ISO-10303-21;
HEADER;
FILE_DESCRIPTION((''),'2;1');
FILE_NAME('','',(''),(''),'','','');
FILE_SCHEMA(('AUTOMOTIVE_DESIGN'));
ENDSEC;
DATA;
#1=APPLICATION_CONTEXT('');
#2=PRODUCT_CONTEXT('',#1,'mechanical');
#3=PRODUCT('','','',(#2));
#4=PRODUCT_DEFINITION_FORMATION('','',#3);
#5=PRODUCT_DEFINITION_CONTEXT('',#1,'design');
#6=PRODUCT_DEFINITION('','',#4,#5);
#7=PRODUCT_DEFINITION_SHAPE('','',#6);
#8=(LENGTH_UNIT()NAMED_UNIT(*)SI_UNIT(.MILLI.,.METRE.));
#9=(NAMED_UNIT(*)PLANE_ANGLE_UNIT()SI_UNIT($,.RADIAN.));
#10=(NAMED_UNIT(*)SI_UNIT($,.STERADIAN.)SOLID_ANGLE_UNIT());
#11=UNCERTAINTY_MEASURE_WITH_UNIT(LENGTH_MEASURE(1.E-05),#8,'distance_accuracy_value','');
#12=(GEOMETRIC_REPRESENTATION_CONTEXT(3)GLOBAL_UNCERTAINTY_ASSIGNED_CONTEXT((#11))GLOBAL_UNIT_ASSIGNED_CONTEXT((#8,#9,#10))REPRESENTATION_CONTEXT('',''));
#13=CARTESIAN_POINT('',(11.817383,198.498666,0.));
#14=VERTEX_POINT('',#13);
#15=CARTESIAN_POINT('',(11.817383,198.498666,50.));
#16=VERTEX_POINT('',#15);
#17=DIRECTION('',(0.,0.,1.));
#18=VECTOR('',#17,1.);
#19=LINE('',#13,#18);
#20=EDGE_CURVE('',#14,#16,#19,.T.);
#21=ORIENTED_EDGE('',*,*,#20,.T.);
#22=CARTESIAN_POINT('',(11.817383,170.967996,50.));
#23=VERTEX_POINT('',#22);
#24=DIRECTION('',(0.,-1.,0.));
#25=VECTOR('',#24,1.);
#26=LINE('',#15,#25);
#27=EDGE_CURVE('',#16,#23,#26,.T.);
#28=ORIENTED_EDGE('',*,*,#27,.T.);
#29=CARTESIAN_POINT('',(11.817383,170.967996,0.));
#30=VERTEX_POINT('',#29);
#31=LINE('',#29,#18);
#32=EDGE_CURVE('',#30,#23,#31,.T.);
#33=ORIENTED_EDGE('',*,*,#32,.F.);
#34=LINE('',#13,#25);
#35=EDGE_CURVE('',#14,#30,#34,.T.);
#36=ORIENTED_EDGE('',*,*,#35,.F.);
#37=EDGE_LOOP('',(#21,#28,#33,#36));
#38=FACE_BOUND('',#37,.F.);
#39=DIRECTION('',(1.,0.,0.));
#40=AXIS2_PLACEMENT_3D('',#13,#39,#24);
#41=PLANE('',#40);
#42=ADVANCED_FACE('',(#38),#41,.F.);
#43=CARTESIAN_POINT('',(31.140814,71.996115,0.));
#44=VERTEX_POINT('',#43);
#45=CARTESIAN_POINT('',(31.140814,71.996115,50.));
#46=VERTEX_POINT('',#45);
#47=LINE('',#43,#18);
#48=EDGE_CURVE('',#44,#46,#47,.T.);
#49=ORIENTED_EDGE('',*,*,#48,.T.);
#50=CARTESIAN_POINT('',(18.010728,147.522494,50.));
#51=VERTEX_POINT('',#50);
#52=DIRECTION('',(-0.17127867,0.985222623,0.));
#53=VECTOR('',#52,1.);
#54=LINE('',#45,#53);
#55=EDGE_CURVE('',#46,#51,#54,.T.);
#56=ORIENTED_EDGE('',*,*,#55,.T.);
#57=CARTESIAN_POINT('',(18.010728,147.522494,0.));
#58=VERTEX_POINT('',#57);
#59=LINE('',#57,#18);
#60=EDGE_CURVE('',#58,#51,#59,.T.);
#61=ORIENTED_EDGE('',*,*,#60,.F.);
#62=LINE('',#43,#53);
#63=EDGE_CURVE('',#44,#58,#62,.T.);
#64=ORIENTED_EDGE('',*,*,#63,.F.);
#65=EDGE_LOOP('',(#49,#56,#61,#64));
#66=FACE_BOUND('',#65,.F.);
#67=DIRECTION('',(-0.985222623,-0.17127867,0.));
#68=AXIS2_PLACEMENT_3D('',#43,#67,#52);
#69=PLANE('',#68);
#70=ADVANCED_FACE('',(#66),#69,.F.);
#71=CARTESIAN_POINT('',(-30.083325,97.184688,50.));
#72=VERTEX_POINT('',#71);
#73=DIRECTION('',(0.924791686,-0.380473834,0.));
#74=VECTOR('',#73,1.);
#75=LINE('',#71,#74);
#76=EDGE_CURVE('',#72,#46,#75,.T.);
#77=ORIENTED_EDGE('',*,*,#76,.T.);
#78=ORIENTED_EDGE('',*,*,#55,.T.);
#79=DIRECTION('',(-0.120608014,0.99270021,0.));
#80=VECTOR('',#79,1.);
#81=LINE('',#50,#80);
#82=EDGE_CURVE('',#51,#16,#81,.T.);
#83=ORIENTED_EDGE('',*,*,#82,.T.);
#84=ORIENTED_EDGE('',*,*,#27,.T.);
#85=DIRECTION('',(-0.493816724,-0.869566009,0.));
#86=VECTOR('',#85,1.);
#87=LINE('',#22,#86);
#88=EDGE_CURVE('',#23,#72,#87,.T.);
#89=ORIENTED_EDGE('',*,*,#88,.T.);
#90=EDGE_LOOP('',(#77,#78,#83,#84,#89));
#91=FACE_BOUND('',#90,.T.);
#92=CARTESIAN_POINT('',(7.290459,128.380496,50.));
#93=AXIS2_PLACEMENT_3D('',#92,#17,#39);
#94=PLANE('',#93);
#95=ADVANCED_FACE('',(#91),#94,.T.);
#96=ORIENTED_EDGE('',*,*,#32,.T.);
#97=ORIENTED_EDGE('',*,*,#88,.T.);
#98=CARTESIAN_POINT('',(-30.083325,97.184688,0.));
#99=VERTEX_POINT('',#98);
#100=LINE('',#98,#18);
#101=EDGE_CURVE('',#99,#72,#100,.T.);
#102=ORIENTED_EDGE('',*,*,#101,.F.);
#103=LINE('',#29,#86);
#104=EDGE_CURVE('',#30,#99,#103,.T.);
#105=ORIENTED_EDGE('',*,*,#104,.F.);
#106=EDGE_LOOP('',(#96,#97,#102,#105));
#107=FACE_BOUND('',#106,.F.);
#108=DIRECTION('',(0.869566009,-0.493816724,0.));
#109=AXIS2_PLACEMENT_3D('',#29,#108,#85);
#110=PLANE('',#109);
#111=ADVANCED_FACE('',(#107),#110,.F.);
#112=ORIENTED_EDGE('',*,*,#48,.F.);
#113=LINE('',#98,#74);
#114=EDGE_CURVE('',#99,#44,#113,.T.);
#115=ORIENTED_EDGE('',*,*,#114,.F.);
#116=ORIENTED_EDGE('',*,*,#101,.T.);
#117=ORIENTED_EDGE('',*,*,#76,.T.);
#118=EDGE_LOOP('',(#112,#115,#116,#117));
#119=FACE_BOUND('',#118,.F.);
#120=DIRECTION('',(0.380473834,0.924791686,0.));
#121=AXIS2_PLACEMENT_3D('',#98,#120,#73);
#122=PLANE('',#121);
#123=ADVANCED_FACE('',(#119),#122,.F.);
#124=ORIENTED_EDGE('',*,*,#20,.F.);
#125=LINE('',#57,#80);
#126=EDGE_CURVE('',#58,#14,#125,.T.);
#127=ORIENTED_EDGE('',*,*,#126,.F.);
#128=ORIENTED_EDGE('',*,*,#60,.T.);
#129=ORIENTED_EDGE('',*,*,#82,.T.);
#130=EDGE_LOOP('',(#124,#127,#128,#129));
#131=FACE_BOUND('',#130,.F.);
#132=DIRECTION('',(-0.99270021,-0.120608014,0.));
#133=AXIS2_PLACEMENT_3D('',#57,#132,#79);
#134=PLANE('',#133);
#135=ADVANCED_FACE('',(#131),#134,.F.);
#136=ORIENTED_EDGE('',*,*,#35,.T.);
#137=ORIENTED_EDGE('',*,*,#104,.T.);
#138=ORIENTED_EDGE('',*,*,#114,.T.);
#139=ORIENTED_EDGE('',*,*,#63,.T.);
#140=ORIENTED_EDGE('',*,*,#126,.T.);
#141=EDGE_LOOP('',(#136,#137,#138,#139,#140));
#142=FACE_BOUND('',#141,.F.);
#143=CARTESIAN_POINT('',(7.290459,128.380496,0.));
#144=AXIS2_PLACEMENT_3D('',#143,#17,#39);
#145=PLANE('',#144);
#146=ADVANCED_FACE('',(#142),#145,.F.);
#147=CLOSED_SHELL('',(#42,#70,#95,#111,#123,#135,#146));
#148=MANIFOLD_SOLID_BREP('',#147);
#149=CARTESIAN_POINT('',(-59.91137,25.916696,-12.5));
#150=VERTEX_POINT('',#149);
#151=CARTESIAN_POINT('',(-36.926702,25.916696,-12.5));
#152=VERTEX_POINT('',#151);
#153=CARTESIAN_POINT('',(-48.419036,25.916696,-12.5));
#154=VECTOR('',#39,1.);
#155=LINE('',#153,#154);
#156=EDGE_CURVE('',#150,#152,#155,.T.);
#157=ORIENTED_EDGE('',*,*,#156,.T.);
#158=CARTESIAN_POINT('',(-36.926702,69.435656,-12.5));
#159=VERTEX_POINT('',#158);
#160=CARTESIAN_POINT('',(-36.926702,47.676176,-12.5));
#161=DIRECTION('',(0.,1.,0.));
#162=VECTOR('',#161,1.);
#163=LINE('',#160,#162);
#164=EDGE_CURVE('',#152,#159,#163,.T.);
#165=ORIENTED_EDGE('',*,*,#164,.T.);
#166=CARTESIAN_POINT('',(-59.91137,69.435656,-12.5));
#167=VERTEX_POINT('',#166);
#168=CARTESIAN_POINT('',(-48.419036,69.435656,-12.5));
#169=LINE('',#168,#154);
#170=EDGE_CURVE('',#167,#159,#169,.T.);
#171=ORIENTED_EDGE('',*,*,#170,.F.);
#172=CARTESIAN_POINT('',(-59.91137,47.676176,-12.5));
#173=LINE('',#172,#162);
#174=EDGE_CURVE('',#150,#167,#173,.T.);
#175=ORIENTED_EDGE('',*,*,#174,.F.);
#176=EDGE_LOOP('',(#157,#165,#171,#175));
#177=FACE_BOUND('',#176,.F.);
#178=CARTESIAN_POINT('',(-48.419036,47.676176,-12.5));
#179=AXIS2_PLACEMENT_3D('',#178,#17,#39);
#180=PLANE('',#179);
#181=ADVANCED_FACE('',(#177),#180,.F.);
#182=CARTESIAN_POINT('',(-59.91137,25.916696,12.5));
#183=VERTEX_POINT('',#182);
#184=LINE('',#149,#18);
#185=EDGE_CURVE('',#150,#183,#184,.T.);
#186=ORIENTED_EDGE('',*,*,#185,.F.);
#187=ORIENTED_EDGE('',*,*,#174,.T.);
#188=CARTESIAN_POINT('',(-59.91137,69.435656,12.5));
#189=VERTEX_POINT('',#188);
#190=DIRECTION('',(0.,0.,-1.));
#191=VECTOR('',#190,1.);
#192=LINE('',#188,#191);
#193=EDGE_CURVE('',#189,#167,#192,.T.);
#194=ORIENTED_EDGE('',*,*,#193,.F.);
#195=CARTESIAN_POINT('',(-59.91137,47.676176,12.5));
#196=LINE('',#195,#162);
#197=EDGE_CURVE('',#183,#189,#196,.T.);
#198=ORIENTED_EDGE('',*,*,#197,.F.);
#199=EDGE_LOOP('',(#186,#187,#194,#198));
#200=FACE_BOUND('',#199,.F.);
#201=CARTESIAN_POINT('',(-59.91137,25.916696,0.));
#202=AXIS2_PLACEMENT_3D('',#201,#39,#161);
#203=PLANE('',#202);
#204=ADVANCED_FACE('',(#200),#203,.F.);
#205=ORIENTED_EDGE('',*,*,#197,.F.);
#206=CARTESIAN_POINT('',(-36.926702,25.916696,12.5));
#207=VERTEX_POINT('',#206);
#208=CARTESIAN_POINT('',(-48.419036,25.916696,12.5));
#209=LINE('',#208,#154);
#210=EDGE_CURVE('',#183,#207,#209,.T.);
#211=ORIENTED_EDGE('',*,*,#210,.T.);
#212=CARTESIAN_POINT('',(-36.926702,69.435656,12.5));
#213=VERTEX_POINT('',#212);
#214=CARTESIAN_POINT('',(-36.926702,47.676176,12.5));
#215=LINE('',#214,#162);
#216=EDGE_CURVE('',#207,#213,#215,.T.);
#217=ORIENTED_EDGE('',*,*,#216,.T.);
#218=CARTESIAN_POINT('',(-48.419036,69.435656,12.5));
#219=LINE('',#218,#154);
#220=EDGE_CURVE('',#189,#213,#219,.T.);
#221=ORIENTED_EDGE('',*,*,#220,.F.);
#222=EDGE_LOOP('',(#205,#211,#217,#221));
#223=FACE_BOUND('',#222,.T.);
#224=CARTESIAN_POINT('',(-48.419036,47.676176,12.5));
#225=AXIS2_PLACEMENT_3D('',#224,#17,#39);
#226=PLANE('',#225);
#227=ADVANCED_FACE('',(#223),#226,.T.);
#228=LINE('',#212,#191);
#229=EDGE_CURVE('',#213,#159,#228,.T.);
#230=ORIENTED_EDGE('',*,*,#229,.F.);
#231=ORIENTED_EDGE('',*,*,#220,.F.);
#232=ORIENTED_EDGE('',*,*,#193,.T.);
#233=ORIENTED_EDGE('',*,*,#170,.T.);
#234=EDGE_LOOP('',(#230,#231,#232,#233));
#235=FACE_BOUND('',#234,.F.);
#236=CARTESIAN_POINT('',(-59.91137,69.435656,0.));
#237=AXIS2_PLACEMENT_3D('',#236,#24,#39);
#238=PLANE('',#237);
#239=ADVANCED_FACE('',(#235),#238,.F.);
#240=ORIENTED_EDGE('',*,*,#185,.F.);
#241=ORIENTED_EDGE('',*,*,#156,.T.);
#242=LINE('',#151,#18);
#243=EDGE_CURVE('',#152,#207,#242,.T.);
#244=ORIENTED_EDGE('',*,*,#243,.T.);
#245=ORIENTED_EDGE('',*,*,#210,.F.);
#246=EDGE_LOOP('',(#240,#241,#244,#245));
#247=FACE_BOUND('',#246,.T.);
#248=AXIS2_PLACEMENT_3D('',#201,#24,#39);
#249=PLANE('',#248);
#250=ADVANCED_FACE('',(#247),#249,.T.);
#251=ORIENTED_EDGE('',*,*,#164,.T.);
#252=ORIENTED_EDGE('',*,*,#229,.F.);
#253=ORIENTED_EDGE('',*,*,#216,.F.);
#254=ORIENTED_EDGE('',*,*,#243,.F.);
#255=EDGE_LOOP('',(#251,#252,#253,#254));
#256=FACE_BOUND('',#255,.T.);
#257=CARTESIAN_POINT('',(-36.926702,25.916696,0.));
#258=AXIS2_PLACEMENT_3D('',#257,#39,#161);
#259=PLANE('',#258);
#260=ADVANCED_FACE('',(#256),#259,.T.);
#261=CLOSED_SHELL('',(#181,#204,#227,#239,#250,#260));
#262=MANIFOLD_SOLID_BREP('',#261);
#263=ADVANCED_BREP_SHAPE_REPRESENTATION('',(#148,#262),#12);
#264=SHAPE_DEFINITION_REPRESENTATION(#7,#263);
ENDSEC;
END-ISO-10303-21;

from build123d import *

# Parameters (mm, degrees)
F0_W     = 22.984668
F0_H     = 43.51896
F1_DEPTH = 12.5
F3_DEPTH = 50


with BuildPart() as f1:
    # F0 (on Top) → F1 (new body, symmetric)
    with BuildSketch(Plane.XY):
        with Locations((-48.419036, 47.676176)):
            Rectangle(F0_W, F0_H)
    extrude(amount=F1_DEPTH, both=True)


with BuildPart() as f3:
    # F2 (on Top) → F3 (new body)
    with BuildSketch(Plane.XY):
        Polygon((31.140814, 71.996115), (18.010728, 147.522494), (11.817383, 198.498666), (11.817383, 170.967996), (-30.083325, 97.184688), align=None)
    extrude(amount=F3_DEPTH)


solid = Compound([f1.part, f3.part])
